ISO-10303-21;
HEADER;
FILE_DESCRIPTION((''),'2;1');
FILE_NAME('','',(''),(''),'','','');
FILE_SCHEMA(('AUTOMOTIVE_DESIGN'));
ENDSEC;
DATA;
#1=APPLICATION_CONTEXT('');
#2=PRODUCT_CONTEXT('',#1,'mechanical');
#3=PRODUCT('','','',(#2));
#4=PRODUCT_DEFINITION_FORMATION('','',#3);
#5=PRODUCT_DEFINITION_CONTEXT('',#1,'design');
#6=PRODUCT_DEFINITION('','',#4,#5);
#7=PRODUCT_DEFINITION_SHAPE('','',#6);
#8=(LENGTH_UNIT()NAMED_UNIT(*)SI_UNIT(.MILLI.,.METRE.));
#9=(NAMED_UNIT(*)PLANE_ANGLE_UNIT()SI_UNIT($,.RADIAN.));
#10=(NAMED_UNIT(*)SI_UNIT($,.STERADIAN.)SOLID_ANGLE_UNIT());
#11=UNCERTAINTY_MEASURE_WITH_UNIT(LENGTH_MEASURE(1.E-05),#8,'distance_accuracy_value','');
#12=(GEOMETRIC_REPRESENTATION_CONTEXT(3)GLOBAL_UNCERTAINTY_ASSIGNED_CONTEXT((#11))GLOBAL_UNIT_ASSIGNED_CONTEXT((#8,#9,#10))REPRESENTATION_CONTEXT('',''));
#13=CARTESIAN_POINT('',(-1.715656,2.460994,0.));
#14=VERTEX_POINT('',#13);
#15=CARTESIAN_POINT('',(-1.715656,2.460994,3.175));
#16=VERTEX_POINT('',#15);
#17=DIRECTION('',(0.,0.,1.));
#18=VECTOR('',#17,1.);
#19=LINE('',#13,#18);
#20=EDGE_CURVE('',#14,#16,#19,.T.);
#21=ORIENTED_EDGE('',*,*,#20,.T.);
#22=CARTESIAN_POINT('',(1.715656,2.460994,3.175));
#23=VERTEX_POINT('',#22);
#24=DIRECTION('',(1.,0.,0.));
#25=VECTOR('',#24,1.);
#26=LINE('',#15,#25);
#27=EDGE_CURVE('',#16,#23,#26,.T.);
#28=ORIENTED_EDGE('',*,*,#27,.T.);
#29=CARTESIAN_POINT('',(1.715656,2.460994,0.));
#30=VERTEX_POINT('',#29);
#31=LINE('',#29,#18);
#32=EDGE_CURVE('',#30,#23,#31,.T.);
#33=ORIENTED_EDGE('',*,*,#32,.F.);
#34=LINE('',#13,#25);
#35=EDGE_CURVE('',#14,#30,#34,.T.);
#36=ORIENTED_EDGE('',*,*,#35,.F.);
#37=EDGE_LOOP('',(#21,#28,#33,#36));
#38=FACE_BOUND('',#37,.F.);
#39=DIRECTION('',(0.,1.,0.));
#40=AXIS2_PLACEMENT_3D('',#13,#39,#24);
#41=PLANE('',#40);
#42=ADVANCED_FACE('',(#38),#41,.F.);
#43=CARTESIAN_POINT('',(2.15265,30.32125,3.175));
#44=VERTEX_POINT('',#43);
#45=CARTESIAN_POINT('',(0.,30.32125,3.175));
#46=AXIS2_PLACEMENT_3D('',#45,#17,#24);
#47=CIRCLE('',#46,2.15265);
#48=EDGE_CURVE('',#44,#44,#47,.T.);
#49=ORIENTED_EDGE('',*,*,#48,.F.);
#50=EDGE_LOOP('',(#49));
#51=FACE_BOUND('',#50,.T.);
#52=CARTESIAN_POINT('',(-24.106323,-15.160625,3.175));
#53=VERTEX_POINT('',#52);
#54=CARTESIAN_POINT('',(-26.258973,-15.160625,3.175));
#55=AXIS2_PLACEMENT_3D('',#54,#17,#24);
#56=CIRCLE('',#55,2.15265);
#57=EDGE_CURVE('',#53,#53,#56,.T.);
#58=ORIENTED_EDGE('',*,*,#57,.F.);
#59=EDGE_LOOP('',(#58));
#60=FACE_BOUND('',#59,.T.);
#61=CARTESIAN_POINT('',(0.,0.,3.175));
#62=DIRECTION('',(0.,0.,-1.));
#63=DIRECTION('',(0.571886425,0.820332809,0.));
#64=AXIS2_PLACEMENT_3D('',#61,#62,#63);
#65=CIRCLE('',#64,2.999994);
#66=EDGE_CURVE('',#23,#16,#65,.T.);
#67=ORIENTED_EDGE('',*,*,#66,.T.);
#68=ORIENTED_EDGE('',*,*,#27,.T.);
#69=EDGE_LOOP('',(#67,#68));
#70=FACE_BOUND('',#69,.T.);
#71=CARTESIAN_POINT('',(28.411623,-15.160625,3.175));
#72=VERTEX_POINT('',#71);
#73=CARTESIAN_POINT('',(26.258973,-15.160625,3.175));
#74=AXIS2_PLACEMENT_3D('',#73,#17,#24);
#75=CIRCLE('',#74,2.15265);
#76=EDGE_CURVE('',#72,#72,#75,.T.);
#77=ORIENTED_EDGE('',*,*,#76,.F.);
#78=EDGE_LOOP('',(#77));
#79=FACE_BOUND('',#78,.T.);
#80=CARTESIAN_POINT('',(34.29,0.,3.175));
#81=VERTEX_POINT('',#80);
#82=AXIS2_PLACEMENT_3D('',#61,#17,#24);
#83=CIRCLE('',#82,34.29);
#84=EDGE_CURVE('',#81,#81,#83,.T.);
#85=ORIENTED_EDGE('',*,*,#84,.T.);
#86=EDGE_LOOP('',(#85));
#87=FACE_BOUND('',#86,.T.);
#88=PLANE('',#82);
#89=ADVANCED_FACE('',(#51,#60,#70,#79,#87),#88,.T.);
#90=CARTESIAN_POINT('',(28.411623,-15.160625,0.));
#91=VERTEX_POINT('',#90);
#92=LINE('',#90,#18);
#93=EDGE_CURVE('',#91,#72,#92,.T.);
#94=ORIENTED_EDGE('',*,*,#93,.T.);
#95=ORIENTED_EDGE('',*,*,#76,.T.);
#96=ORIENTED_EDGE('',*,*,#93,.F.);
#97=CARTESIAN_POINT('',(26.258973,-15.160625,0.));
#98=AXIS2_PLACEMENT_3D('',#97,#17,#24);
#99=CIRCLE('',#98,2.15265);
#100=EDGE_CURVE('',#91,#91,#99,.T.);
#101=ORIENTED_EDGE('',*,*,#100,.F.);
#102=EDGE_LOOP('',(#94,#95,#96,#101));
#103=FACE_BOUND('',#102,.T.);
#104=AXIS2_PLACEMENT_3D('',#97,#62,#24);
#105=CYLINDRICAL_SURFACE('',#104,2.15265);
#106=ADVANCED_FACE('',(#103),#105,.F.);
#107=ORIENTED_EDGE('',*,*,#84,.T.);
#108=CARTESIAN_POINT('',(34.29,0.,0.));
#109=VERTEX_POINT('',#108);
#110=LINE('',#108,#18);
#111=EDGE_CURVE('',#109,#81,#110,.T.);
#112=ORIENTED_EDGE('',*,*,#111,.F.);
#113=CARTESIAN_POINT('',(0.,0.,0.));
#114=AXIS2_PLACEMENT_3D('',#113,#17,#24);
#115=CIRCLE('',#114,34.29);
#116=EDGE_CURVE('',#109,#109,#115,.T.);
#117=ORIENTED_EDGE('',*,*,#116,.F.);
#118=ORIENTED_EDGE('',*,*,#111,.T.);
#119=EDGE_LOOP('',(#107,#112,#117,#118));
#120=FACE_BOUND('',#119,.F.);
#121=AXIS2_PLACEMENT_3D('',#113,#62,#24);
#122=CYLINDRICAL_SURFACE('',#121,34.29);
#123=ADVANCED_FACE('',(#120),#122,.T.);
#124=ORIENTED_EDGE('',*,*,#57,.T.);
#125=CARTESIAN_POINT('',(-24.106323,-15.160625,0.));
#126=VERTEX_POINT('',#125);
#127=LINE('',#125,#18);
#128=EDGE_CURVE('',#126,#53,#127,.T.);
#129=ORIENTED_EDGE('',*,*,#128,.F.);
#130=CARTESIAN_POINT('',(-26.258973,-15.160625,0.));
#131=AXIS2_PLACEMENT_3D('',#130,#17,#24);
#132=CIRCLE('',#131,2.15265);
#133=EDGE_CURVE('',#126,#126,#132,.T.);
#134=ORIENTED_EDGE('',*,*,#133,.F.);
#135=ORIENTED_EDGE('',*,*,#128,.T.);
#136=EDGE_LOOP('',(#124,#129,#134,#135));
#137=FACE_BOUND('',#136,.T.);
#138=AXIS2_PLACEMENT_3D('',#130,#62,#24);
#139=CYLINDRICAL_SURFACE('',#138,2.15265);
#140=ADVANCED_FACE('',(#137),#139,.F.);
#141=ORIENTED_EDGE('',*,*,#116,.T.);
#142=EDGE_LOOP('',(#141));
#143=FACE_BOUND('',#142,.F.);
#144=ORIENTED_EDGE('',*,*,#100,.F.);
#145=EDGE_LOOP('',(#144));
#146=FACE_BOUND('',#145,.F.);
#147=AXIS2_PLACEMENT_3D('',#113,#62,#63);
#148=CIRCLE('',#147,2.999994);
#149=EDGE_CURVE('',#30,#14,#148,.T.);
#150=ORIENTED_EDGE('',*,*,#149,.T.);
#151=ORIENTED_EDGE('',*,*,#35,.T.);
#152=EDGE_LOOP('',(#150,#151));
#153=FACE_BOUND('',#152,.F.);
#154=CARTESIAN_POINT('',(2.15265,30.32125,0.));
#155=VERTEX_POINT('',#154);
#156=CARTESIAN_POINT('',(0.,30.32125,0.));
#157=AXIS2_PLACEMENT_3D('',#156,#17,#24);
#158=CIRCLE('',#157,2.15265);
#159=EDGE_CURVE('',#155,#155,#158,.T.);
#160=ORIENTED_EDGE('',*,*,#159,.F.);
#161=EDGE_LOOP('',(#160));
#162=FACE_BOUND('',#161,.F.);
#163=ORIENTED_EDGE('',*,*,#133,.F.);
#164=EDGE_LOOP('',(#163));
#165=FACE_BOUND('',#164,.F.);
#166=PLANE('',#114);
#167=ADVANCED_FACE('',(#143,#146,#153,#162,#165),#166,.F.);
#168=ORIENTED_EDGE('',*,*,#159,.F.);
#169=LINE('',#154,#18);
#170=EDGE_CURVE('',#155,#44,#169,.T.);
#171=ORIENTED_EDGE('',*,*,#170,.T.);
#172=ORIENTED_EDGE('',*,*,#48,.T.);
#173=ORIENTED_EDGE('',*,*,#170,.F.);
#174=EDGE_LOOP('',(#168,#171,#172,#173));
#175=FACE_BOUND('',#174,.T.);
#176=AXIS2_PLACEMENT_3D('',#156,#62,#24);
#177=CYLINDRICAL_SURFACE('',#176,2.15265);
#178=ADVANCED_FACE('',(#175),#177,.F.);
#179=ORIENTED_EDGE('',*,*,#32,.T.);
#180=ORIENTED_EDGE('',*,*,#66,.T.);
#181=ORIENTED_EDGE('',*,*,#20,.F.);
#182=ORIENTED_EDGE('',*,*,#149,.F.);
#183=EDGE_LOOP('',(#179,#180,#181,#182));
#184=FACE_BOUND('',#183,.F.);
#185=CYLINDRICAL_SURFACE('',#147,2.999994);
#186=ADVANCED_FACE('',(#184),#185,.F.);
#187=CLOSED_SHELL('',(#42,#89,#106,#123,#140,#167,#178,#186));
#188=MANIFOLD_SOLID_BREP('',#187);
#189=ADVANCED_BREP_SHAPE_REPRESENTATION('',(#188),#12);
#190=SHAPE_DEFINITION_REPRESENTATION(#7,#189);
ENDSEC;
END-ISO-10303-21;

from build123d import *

# Parameters (mm, degrees)
F0_R     = 34.29
F0_R_2   = 2.15265
F1_DEPTH = 3.175


with BuildPart() as f1:
    # F0 (on Top) → F1 (new body)
    with BuildSketch(Plane.XY):
        Circle(F0_R)
        with Locations((-26.258973, -15.160625)):
            Circle(F0_R_2, mode=Mode.SUBTRACT)
        with BuildLine():
            ThreePointArc((1.715656, 2.460994), (0, -2.999994), (-1.715656, 2.460994))
            Line((-1.715656, 2.460994), (1.715656, 2.460994))
        make_face(mode=Mode.SUBTRACT)
        with Locations((26.258973, -15.160625)):
            Circle(F0_R_2, mode=Mode.SUBTRACT)
        with Locations((0, 30.32125)):
            Circle(F0_R_2, mode=Mode.SUBTRACT)
    extrude(amount=F1_DEPTH)


solid = f1.part
